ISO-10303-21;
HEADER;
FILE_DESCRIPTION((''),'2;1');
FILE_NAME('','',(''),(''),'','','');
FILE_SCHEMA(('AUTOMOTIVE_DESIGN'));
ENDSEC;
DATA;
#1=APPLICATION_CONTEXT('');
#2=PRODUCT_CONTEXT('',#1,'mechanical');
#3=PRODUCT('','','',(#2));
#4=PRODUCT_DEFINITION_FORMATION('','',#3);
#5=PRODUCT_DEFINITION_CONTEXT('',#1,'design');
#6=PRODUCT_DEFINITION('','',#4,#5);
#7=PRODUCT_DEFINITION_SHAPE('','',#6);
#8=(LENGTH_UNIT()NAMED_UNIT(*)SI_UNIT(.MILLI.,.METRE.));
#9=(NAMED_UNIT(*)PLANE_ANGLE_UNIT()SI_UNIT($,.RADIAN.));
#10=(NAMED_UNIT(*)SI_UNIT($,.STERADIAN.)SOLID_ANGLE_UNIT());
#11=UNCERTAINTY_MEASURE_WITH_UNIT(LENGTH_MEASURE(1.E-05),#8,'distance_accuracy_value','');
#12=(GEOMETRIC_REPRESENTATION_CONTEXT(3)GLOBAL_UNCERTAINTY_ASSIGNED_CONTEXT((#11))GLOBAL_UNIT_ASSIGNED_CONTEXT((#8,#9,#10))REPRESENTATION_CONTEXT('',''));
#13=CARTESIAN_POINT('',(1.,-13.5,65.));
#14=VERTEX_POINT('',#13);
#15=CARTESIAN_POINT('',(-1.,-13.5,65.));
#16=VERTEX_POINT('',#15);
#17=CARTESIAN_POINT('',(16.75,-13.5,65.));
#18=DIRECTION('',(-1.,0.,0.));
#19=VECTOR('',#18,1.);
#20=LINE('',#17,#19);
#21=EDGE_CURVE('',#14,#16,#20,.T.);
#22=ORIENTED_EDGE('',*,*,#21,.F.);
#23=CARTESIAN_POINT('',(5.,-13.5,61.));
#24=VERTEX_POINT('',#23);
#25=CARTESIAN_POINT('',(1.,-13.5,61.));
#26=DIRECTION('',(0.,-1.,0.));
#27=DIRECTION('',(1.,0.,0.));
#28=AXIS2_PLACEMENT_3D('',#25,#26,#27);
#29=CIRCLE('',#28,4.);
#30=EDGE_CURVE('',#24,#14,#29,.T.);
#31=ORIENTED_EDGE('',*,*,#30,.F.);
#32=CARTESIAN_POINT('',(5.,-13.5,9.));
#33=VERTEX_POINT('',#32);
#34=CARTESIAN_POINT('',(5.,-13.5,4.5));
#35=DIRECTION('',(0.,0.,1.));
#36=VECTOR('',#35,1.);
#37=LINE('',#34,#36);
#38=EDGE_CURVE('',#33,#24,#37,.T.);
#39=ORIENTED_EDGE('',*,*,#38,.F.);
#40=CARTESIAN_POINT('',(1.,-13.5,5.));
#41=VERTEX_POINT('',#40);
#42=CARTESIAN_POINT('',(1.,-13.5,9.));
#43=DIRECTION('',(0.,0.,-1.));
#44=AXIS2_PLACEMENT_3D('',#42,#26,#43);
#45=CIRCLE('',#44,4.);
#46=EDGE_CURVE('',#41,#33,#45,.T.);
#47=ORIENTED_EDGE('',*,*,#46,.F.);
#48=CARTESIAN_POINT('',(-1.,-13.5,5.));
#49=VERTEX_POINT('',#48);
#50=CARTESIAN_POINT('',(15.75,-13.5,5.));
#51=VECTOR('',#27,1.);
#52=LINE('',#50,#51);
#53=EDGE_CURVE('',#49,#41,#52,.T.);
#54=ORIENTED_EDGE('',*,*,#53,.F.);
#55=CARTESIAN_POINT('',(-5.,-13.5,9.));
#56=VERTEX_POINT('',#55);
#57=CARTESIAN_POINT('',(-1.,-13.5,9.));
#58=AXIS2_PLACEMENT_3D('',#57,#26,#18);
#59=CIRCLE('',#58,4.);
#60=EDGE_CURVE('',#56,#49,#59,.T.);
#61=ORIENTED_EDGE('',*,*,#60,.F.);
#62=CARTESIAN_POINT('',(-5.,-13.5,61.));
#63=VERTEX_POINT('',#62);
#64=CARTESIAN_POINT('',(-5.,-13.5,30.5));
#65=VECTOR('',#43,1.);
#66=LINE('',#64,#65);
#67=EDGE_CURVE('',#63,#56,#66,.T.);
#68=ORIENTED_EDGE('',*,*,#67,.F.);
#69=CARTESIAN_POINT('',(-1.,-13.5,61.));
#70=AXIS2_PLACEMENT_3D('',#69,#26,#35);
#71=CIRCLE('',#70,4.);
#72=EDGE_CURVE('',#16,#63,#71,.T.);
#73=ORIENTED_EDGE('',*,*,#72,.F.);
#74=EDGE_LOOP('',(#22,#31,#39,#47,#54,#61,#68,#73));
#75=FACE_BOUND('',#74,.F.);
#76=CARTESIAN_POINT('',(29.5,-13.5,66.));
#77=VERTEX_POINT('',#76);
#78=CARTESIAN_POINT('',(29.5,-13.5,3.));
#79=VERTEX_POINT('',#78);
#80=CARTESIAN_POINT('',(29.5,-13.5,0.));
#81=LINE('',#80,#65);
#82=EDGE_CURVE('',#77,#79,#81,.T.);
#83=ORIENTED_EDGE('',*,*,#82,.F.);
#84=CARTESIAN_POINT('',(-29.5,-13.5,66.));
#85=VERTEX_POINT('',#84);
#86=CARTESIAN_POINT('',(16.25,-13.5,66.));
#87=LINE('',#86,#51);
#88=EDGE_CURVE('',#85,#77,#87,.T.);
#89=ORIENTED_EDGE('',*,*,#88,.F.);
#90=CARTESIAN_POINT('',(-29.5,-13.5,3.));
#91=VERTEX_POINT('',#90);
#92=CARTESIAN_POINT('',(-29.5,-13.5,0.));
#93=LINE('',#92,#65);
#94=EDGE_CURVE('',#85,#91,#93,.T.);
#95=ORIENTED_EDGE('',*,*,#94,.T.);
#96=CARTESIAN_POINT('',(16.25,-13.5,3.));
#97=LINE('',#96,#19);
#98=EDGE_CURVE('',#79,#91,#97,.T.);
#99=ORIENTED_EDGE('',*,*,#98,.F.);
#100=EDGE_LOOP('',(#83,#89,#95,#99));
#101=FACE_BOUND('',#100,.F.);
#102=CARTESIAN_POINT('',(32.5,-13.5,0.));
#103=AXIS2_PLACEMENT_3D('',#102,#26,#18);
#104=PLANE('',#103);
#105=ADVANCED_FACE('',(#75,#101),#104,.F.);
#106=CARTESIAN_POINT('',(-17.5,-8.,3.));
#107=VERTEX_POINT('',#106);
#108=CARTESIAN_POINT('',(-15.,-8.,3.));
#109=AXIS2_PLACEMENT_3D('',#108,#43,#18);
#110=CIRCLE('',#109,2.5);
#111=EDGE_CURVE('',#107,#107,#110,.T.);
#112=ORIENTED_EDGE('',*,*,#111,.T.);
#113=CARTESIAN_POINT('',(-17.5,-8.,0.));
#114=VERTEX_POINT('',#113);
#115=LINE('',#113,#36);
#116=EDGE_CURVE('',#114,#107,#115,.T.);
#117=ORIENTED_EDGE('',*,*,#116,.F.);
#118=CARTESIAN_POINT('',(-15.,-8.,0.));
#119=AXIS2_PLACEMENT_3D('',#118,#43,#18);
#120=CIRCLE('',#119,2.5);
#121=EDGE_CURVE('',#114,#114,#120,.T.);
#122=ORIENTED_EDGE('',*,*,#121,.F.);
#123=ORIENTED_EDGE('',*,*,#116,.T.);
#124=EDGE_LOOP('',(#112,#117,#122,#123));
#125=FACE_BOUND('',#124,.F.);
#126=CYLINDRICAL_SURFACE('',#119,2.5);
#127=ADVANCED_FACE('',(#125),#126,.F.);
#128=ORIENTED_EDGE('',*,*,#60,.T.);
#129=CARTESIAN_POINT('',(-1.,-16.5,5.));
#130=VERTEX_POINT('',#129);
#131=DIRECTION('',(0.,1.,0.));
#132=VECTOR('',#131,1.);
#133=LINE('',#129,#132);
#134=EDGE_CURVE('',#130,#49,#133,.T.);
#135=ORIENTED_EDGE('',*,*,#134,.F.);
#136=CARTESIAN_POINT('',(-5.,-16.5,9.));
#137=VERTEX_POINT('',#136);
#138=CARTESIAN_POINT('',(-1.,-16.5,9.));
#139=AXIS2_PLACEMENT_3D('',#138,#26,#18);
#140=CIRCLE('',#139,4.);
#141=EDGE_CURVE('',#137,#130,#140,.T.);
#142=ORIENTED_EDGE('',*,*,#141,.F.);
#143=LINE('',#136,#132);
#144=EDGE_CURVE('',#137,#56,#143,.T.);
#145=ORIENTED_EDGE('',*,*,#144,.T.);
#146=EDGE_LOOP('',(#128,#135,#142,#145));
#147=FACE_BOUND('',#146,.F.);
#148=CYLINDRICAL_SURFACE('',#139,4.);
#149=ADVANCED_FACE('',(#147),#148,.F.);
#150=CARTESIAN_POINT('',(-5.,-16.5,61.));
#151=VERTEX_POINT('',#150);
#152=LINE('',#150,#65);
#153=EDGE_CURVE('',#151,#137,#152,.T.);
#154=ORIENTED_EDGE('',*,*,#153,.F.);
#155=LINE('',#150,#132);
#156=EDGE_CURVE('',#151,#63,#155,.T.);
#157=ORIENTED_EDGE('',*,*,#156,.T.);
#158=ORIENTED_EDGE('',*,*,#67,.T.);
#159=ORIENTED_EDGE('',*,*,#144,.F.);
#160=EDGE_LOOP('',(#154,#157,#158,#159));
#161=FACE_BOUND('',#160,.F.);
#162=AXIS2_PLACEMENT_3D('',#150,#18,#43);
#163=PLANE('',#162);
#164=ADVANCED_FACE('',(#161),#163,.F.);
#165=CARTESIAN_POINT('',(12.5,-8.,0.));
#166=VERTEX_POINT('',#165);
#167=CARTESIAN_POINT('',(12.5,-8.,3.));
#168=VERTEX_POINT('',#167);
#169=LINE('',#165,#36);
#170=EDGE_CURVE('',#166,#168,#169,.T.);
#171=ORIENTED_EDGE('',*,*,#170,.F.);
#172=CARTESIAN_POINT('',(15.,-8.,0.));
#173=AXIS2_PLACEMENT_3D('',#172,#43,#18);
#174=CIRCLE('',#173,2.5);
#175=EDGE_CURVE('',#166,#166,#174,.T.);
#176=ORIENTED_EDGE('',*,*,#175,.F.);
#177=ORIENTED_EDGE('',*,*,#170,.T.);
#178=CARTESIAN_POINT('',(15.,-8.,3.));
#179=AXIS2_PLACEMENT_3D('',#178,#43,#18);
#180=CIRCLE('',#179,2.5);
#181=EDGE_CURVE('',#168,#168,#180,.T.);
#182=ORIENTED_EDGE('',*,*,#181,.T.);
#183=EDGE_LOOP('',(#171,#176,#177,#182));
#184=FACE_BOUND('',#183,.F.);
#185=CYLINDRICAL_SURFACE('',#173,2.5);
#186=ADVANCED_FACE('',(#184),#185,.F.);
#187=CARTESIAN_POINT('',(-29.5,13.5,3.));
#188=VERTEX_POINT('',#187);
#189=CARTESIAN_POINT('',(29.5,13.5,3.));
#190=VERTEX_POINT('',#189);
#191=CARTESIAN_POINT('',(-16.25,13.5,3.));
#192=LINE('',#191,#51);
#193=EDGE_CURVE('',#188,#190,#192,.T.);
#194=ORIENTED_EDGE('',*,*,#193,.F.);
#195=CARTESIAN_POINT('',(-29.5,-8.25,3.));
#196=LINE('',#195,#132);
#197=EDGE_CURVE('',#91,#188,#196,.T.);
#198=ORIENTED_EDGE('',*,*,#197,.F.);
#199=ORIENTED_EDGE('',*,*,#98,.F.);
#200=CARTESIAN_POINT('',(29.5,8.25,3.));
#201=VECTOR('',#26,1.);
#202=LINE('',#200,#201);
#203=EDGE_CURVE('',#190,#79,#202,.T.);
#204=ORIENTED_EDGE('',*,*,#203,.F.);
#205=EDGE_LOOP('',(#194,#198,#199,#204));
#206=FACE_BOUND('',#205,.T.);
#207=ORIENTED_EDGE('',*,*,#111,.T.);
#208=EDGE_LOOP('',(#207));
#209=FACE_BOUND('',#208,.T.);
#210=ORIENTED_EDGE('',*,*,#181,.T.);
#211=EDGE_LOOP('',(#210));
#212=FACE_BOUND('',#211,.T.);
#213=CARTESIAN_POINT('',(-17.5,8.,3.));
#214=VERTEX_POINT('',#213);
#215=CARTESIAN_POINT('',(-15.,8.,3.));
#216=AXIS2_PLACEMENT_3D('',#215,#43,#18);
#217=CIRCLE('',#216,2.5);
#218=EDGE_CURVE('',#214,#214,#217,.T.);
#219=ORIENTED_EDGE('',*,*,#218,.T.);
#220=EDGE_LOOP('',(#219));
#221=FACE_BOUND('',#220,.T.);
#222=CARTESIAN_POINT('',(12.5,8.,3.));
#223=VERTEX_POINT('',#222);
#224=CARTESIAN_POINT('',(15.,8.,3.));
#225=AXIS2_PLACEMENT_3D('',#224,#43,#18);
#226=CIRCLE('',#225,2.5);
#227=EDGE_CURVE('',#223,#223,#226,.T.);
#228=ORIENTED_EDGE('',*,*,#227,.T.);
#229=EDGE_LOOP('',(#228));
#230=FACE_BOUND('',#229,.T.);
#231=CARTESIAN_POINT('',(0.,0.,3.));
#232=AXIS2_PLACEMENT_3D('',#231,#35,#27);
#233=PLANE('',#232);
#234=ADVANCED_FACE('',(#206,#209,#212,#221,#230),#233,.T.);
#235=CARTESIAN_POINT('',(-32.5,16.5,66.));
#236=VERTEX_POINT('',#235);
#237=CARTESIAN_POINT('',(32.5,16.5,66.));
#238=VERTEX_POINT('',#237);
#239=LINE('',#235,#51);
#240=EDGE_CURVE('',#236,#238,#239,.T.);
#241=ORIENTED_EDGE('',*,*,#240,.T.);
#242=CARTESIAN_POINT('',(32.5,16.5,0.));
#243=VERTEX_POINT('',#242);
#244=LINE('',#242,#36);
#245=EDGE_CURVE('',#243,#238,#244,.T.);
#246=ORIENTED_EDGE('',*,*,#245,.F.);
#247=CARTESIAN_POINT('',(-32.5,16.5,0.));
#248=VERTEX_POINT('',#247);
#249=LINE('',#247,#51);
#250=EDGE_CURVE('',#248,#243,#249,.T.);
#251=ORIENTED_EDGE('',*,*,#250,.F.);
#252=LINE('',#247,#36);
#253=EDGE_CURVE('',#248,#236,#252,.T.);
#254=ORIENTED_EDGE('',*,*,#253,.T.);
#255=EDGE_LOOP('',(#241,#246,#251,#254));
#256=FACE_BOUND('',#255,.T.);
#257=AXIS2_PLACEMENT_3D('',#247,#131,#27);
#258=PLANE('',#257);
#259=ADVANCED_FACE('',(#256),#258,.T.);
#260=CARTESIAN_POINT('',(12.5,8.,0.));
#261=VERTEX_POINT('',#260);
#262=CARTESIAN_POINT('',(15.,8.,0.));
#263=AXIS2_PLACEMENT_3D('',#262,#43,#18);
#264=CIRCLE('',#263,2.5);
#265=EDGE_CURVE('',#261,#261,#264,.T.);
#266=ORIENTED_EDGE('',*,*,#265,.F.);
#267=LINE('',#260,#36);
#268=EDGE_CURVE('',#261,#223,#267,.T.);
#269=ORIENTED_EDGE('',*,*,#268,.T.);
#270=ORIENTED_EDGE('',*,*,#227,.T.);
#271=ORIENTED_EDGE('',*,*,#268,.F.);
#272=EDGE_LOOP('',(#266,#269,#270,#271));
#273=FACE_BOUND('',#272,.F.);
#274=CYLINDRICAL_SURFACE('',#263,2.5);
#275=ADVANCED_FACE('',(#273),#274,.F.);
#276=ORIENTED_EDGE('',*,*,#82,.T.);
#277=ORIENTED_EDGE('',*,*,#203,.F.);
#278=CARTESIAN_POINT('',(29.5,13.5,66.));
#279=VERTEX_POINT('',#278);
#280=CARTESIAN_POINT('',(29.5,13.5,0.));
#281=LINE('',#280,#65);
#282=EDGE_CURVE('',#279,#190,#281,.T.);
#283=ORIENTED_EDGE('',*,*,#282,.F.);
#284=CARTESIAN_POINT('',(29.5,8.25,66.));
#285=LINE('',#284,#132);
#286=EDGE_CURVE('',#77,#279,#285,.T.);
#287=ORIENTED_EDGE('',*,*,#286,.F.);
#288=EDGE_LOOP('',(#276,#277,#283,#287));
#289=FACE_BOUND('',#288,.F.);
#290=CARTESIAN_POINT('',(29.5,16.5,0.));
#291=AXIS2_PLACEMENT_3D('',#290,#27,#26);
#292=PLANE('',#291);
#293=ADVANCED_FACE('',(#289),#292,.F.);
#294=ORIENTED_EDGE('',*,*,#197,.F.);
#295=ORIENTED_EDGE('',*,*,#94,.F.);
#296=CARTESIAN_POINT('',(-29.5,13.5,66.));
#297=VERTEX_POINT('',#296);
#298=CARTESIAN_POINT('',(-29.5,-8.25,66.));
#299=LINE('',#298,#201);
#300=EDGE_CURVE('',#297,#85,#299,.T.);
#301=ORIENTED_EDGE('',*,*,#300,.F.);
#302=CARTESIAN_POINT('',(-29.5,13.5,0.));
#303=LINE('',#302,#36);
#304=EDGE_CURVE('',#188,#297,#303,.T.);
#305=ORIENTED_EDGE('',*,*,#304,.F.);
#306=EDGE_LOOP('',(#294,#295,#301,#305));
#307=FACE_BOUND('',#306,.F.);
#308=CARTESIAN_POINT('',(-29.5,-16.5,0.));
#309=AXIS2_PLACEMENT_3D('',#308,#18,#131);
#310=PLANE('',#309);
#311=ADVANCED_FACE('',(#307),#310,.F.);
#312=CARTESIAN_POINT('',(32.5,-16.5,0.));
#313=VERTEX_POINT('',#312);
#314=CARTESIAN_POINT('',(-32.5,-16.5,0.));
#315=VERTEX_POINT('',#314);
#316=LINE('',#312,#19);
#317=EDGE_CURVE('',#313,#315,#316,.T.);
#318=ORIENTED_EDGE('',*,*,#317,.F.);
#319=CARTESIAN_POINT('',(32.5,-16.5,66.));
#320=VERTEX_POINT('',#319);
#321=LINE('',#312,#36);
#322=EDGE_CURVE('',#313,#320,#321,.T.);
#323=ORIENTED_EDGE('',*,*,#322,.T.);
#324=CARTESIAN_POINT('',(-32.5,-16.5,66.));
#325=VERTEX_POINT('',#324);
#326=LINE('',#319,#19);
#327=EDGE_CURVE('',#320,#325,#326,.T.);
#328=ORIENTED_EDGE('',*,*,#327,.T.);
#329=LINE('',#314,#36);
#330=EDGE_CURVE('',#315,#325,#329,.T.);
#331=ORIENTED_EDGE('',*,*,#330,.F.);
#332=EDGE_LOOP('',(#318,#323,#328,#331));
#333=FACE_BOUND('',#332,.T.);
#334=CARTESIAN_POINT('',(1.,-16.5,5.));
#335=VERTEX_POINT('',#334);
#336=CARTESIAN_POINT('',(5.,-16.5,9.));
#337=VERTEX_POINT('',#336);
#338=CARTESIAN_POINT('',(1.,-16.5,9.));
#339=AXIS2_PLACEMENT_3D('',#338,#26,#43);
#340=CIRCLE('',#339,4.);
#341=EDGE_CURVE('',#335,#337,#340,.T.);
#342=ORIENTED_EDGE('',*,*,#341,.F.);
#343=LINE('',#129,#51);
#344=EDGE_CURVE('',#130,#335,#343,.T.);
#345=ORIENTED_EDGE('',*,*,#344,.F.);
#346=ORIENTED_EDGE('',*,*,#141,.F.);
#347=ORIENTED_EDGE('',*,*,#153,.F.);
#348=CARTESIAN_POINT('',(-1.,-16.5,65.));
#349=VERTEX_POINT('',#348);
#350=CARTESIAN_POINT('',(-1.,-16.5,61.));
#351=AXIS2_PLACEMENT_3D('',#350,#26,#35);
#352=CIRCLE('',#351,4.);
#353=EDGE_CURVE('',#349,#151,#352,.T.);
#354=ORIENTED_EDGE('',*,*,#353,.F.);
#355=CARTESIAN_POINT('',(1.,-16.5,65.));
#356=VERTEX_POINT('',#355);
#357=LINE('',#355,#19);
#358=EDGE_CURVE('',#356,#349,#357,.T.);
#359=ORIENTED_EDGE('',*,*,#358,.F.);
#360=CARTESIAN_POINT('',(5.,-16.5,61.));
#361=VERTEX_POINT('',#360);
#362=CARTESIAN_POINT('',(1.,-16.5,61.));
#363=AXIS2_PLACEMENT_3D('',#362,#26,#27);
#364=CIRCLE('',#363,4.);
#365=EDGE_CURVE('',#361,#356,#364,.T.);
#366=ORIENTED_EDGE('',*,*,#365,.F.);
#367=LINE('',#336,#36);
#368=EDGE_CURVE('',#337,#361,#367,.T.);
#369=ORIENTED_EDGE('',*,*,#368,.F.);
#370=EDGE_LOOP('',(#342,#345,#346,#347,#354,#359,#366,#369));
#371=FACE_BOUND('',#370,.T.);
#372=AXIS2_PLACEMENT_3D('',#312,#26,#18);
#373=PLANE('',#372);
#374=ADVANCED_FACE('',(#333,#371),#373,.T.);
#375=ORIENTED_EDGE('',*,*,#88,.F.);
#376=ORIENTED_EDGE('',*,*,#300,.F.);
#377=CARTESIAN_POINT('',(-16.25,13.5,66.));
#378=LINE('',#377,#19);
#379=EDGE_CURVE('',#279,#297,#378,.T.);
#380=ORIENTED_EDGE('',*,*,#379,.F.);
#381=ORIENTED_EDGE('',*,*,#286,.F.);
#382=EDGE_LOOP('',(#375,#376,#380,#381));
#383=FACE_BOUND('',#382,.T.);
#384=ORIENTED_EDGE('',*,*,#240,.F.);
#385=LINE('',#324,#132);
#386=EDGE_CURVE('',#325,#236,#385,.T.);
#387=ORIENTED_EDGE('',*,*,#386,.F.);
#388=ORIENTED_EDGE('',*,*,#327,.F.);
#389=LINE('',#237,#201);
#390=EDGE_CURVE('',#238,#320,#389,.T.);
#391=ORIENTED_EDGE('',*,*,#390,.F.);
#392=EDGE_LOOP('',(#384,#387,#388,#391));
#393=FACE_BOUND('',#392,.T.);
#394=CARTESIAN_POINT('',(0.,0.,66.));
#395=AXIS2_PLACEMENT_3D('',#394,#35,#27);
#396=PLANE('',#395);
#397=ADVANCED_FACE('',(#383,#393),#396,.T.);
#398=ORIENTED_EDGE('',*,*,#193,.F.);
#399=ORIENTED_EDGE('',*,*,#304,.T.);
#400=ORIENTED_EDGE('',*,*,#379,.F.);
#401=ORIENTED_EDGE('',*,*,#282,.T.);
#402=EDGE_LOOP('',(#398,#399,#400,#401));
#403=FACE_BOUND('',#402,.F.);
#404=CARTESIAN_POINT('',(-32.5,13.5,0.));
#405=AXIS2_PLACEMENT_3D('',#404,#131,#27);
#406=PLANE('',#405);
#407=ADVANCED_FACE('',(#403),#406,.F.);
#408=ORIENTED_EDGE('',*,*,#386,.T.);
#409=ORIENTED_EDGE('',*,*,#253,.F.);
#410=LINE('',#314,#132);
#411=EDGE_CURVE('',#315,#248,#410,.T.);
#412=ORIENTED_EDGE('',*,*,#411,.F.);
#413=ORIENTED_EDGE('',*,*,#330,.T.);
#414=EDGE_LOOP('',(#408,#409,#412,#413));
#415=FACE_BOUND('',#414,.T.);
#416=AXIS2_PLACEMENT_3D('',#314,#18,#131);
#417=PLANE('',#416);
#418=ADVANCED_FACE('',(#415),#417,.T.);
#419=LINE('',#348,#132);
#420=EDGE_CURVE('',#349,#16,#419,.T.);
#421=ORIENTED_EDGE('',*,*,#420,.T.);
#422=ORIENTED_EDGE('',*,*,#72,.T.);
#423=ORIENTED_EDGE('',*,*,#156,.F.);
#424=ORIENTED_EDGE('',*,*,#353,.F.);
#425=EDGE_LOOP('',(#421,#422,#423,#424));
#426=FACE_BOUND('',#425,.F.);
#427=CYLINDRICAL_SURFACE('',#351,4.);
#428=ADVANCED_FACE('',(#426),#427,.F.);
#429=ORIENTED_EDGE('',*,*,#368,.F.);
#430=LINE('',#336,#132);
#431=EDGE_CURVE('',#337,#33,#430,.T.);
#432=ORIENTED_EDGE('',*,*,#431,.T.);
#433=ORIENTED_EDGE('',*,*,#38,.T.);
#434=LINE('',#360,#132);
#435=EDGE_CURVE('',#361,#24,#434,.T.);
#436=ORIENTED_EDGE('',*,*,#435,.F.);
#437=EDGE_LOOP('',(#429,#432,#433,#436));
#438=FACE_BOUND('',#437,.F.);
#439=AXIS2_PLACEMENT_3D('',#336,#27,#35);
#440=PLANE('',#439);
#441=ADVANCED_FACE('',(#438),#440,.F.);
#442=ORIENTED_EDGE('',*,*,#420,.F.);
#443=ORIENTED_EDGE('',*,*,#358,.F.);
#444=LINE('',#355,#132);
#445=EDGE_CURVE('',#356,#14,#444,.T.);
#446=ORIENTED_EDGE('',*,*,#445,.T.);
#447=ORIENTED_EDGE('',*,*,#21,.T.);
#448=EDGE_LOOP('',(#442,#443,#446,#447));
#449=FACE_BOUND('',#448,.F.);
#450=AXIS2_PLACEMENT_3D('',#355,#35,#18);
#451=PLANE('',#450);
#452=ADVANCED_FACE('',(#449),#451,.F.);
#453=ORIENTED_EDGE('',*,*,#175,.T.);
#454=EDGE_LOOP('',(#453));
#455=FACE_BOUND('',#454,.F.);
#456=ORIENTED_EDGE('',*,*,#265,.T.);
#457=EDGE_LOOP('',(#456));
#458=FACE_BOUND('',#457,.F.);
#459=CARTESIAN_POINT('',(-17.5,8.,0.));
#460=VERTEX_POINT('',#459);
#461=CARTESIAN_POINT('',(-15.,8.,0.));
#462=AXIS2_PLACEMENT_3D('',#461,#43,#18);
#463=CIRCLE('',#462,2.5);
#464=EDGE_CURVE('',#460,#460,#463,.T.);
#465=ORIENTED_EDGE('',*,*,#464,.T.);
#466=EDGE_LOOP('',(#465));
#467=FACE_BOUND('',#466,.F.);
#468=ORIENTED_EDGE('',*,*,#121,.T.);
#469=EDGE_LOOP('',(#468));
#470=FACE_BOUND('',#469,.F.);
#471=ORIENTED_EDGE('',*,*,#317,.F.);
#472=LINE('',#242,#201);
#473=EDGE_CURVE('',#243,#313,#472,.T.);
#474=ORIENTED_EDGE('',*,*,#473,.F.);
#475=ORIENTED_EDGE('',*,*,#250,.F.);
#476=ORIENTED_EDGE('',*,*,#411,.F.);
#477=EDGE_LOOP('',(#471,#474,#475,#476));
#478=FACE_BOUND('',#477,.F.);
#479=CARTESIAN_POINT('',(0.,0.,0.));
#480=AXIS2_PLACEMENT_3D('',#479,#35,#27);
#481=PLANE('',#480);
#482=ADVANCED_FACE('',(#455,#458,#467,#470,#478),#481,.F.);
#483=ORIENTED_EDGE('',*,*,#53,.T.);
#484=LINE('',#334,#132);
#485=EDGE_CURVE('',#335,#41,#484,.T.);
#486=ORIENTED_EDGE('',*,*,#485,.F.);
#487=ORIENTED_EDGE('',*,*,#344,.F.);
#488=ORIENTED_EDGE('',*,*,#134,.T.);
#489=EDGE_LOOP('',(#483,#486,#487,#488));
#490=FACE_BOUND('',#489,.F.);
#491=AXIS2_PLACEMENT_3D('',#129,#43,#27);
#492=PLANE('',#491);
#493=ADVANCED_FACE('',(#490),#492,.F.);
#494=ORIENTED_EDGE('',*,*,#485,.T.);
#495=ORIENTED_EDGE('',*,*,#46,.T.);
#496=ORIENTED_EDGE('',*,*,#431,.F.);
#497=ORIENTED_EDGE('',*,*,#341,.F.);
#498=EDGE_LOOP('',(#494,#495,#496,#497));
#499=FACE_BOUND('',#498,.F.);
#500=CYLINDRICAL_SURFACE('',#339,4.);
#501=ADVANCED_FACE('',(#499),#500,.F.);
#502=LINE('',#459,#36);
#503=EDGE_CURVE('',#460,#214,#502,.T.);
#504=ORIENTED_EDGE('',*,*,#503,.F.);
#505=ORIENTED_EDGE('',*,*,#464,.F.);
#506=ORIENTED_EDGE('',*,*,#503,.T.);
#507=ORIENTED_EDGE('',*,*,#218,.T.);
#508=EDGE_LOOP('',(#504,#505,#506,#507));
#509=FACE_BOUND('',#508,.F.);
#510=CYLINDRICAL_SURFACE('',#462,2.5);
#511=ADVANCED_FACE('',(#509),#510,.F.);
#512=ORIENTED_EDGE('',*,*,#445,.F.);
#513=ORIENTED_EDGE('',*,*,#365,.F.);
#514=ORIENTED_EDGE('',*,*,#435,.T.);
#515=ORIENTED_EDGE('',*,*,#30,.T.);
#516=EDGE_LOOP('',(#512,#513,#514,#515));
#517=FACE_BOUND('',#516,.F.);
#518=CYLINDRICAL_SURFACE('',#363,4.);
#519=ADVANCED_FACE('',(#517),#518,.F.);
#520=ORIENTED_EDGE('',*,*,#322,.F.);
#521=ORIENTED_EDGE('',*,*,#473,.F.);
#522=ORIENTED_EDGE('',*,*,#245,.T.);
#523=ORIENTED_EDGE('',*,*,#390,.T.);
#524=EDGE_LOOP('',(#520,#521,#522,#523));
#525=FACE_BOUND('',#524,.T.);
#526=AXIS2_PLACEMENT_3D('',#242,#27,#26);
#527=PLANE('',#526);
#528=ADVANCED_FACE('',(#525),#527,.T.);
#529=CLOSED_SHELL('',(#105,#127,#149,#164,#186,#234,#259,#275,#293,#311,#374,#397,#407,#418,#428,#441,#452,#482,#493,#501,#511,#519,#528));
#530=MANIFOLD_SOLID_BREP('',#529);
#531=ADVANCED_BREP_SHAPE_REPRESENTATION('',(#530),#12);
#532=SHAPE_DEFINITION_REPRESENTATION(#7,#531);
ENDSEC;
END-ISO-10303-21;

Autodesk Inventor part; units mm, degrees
ref_plane "YZ Plane" through (0, 0, 0) normal (1, 0, 0) x (0, 1, 0)
ref_plane "XZ Plane" through (0, 0, 0) normal (0, 1, 0) x (-1, 0, 0)
ref_plane "XY Plane" through (0, 0, 0) normal (0, 0, 1) x (1, 0, 0)
sketch "Sketch1" plane through (0, 0, 0) normal (0, 0, 1) x (1, 0, 0)
  line L0 (-32.5, 16.5) -> (32.5, 16.5)
  line L1 (32.5, 16.5) -> (32.5, -16.5)
  line L2 (32.5, -16.5) -> (-32.5, -16.5)
  line L3 (-32.5, -16.5) -> (-32.5, 16.5)
  line L4 (-32.5, 16.5) -> (32.5, -16.5) construction
  line L5 (32.5, 16.5) -> (-32.5, -16.5) construction
  point P0 (0, 0)
  dimension "d0" = 65
  dimension "d1" = 33
extrude "Extrusion1" add sketch "Sketch1" along normal blind 66
shell "Shell1" thickness 3 removed faces 1 at (-10.8333, 5.5, 66)
sketch "Sketch2" plane through (-32.5, -16.5, 0) normal (0, -1, 0) x (1, 0, 0)
  line L0 (33.5, 65) -> (31.5, 65)
  line L1 (27.5, 61) -> (27.5, 9)
  line L2 (31.5, 5) -> (33.5, 5)
  line L3 (37.5, 9) -> (37.5, 61)
  line L4 (32.5, 0) -> (32.5, 66) construction
  line L5 (65, 66) -> (0, 66) projected
  line L6 (0, 0) -> (65, 0) projected
  arc A0 (33.5, 5) -> (37.5, 9) centre (33.5, 9) ccw
  arc A1 (27.5, 9) -> (31.5, 5) centre (31.5, 9) ccw
  arc A2 (37.5, 61) -> (33.5, 65) centre (33.5, 61) ccw
  arc A3 (31.5, 65) -> (27.5, 61) centre (31.5, 61) ccw
  point P0 (37.5, 65)
  point P1 (27.5, 65)
  point P2 (27.5, 5)
  point P3 (37.5, 5)
  dimension "d5" = 10
  dimension "d6" = 60
  dimension "d7" = 5
  dimension "d10" = 4
extrude "Extrusion2" cut sketch "Sketch2" against normal up to surface (30 mm away)
sketch "Sketch3" plane through (0, 0, 0) normal (0, 0, -1) x (-1, 0, 0)
  line L0 (32.5, 16.5) -> (32.5, -16.5) projected
  line L1 (32.5, 0) -> (-32.5, 0) construction
  line L2 (-32.5, -16.5) -> (-32.5, 16.5) projected
  circle A0 centre (-15, -8) radius 2.5
  circle A1 centre (-15, 8) radius 2.5
  circle A2 centre (15, -8) radius 2.5
  circle A3 centre (15, 8) radius 2.5
  point P0 (0, 0)
  point P1 (0, 0)
  dimension "d11" = 5
  dimension "d12" = 5
  dimension "d13" = 5
  dimension "d14" = 5
  dimension "d15" = 8
  dimension "d16" = 8
  dimension "d17" = 30
  dimension "d18" = 15
extrude "Extrusion3" cut sketch "Sketch3" against normal through all
properties part number "SLIDER" material "Steel, Alloy"
